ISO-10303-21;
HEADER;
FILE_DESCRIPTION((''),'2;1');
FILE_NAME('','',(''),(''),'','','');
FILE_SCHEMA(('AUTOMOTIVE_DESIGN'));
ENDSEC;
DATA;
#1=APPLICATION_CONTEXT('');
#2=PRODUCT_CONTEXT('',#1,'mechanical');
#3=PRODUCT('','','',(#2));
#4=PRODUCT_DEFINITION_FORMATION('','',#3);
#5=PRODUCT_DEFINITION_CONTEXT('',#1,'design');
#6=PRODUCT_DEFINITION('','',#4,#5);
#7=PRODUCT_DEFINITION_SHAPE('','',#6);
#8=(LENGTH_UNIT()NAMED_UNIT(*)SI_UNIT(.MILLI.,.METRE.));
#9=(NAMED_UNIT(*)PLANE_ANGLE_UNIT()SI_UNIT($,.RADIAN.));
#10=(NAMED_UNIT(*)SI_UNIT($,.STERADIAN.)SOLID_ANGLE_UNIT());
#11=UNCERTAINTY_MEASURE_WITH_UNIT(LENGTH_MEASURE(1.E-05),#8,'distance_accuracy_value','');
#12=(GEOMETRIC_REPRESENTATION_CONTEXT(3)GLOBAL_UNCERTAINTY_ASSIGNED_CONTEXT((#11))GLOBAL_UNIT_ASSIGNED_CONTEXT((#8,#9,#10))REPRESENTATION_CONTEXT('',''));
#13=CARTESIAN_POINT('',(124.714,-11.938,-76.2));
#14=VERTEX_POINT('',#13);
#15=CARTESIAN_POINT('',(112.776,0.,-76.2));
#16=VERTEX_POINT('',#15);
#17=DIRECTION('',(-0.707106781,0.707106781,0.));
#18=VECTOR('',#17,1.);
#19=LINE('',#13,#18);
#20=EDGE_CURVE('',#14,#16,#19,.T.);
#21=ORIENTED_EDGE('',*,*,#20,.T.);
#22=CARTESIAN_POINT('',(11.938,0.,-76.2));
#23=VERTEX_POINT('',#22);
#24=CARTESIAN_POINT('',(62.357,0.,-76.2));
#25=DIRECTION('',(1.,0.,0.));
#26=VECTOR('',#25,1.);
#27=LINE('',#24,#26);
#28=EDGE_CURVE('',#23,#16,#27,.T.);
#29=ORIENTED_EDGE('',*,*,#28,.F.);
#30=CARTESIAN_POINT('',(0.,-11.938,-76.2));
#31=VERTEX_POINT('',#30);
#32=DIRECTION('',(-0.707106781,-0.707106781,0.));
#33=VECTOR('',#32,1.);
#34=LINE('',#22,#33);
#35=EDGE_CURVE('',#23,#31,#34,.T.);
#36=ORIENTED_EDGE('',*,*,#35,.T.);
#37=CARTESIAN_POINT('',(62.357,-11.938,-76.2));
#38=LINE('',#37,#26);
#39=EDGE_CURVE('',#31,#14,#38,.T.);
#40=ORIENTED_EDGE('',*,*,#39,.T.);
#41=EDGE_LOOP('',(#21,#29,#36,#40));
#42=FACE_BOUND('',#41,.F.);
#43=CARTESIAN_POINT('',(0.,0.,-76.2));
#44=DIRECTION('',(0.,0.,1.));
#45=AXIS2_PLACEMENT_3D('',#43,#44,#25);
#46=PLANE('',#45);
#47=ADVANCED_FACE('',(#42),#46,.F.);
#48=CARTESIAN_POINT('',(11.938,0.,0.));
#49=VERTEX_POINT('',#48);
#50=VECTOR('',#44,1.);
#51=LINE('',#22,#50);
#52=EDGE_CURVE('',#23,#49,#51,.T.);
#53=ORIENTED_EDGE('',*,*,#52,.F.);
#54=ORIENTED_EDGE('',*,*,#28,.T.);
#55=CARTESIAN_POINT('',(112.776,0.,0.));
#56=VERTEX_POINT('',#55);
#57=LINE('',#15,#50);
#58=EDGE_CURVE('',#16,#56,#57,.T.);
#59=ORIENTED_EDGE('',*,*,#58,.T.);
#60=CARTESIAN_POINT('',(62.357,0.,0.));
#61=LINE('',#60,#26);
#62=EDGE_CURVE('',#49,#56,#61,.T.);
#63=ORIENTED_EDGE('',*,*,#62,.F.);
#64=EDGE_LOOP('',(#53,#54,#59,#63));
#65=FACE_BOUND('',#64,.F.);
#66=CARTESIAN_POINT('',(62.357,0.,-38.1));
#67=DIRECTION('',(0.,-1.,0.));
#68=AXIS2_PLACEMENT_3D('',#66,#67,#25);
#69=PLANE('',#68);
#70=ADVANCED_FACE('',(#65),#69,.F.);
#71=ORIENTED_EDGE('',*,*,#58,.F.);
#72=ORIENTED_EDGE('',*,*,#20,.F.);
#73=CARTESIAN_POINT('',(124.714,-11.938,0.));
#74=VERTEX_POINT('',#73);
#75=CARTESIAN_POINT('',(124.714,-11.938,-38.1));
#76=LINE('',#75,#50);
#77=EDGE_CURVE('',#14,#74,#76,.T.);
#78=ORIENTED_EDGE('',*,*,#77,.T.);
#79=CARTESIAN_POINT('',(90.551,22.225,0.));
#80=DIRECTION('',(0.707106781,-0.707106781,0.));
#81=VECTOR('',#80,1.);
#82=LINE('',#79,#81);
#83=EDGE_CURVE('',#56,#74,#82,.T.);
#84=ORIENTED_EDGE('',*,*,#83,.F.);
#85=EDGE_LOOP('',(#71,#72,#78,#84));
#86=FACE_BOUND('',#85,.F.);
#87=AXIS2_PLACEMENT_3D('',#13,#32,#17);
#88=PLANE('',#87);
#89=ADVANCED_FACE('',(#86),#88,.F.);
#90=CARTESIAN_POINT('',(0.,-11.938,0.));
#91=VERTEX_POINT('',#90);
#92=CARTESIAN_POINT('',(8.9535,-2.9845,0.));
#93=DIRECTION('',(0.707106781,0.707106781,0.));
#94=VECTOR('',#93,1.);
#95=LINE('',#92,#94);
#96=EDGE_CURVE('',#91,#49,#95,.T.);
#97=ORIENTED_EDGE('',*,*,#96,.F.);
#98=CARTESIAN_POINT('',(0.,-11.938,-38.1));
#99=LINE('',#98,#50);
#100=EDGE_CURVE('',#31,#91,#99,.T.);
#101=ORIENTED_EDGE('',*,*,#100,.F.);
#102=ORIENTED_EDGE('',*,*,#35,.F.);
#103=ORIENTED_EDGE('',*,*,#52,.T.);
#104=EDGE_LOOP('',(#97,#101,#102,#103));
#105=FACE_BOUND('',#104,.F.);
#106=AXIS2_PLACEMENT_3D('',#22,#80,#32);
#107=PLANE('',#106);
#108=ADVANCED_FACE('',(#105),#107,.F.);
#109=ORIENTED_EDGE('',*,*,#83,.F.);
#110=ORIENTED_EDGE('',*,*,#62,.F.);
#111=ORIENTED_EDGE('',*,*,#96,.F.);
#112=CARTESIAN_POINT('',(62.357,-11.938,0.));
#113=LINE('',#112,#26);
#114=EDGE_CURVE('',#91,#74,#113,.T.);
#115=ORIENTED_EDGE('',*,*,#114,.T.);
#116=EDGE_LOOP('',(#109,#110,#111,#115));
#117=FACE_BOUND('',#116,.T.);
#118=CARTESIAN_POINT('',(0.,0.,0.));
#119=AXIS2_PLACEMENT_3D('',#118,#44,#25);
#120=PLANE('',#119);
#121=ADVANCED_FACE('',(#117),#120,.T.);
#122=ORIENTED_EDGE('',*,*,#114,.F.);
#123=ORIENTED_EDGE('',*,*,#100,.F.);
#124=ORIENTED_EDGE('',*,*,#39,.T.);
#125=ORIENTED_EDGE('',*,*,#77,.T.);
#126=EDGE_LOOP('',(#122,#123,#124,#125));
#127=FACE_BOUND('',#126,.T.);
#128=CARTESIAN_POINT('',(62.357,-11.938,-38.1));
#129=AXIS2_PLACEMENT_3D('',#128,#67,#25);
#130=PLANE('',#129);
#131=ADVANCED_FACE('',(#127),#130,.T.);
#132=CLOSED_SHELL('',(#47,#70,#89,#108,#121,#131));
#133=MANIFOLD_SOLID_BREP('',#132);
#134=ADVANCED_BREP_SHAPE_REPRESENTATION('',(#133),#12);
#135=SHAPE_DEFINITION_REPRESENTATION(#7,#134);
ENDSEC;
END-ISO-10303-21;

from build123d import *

# Parameters (mm, degrees)
F0_W     = 124.714
F0_H     = 76.2
F1_DEPTH = 11.938
F3_DEPTH = 76.201
F5_DEPTH = 76.201


with BuildPart() as f1:
    # F0 (on Front) → F1 (new body)
    with BuildSketch(Plane.XZ):
        with Locations((62.357, -38.1)):
            Rectangle(F0_W, F0_H)
    extrude(amount=F1_DEPTH)

    # F2 (on face) → F3 (cut, through all)
    with BuildSketch(Plane(origin=(0, 0, -76.2), x_dir=(1, 0, 0), z_dir=(0, 0, -1))):
        Polygon((11.938, 0), (0, 11.938), (0, 0), align=None)
    extrude(amount=-F3_DEPTH, mode=Mode.SUBTRACT)

    # F4 (on face) → F5 (cut, through all)
    with BuildSketch(Plane(origin=(0, 0, -76.2), x_dir=(1, 0, 0), z_dir=(0, 0, -1))):
        Polygon((124.714, 0), (124.714, 11.938), (112.776, 0), align=None)
    extrude(amount=-F5_DEPTH, mode=Mode.SUBTRACT)


solid = f1.part
